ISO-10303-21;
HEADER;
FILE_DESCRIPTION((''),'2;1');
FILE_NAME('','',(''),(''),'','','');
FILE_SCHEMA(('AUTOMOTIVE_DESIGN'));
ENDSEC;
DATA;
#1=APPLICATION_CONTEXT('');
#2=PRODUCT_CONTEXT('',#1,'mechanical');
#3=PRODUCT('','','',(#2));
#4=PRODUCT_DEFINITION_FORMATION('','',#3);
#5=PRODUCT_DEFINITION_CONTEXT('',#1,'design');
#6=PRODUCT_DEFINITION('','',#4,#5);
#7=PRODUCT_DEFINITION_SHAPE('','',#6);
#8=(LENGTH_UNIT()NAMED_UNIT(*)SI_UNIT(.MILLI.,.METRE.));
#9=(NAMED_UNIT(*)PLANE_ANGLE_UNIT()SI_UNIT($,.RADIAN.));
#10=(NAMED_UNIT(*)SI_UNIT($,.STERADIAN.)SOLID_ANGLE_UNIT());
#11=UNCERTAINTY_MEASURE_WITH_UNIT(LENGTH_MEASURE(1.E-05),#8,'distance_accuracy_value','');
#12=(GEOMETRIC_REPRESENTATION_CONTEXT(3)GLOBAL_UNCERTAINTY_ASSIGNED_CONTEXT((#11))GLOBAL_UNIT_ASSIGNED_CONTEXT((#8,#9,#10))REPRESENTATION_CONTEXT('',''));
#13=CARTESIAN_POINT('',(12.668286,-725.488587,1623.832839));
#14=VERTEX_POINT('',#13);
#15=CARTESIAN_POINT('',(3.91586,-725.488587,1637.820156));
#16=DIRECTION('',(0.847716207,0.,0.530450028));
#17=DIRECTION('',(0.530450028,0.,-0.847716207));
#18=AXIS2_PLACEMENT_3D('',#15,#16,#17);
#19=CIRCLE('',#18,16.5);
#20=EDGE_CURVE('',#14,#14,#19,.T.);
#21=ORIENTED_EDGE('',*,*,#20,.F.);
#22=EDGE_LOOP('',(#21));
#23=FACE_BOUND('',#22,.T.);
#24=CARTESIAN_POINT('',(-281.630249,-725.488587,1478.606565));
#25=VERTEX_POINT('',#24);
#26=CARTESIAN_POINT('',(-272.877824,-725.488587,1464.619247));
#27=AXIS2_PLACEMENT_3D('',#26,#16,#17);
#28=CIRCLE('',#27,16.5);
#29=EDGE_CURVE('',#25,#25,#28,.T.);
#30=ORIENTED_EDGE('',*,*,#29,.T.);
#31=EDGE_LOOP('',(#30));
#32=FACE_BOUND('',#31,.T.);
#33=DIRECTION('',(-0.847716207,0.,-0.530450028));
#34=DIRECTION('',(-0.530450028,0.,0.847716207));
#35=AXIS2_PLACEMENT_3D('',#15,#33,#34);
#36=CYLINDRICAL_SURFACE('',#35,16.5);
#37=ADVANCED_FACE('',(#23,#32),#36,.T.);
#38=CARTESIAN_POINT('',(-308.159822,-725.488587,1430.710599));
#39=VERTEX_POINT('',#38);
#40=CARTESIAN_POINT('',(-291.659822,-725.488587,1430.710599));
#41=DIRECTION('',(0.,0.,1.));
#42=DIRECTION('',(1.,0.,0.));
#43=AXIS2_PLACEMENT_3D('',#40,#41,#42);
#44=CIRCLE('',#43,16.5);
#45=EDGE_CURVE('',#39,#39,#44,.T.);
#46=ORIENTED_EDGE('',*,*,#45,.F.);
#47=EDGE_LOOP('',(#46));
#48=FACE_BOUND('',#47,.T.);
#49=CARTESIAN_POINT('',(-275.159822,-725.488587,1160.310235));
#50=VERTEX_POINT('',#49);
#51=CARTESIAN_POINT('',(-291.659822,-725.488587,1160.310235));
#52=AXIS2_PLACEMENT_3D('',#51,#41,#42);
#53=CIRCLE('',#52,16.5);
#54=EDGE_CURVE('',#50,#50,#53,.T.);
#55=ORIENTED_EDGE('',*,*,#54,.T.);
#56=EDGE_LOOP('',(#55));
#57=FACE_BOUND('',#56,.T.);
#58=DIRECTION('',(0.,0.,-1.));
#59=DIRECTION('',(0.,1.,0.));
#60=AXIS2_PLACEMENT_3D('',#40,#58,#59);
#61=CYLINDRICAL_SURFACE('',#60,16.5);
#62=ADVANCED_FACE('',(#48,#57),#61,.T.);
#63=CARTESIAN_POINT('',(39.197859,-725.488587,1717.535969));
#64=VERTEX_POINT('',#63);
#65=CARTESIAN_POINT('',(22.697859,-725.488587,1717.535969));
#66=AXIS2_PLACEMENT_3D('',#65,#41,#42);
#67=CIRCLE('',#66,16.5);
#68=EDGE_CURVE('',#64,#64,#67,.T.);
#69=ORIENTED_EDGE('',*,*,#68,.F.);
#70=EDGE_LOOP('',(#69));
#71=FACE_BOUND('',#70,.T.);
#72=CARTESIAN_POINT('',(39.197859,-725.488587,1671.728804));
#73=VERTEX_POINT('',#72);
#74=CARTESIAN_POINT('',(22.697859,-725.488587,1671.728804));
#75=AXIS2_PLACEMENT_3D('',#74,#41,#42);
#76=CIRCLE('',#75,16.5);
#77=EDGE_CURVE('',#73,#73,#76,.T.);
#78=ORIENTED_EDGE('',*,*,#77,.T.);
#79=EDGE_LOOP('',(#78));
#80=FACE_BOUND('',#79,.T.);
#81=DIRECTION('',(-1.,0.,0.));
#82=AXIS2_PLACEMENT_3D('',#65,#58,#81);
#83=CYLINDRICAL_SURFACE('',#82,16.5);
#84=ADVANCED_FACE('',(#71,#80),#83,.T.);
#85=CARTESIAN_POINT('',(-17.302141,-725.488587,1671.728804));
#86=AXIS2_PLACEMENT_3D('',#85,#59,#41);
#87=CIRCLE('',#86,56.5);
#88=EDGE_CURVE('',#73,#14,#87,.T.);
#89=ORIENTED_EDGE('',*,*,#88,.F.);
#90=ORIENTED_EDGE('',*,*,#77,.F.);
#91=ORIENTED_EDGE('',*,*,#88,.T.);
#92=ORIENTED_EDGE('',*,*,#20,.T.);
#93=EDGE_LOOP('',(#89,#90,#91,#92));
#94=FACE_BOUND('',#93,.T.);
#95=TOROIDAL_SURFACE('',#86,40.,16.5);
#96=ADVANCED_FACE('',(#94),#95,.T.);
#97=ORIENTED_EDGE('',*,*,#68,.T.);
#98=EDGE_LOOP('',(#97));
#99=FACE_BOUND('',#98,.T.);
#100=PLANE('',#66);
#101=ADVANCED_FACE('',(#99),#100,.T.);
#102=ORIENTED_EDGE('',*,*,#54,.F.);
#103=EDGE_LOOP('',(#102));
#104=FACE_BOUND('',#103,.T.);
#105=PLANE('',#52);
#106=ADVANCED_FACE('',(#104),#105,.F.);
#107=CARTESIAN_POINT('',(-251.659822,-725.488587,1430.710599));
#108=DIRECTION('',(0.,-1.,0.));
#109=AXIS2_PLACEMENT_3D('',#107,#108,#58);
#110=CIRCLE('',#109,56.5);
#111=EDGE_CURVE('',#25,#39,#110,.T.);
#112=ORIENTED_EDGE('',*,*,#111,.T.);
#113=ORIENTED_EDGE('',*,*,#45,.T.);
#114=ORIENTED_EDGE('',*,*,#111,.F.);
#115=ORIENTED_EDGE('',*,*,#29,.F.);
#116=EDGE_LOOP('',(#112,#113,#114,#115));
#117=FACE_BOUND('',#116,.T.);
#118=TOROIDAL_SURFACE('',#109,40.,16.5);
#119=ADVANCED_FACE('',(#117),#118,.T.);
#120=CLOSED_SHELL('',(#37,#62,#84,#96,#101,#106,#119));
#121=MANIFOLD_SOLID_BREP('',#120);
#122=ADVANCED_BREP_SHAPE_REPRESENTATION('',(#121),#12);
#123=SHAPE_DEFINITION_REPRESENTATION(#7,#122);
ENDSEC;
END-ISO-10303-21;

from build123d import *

# Parameters (mm, degrees)
BARRER1_PROFILE_R = 16.5


with BuildPart() as part:
    # Barrer1: sweep along a curve in space
    with BuildLine() as barrer1_path:
        Line((22.697859299, -725.488587031, 1717.535968933), (22.697859299, -725.488587031, 1671.728804253))
        ThreePointArc((22.697859299, -725.488587031, 1671.728804253), (17.68871557, -725.488587031, 1652.347370419), (3.915860427, -725.488587031, 1637.820155973))
        Line((3.915860427, -725.488587031, 1637.820155973), (-272.877823516, -725.488587031, 1464.619247176))
        ThreePointArc((-272.877823516, -725.488587031, 1464.619247176), (-286.650678659, -725.488587031, 1450.092032731), (-291.659822388, -725.488587031, 1430.710598897))
        Line((-291.659822388, -725.488587031, 1430.710598897), (-291.659822388, -725.488587031, 1160.310234708))
    # Barrer1 profile (on start of the path) → Barrer1 (sweep)
    with BuildSketch(Plane(origin=(22.697859299, -725.488587031, 1717.535968933), x_dir=(-1, 0, 0), z_dir=(0, 0, -1))):
        Circle(BARRER1_PROFILE_R)
    sweep(path=barrer1_path.line)


solid = part.part
